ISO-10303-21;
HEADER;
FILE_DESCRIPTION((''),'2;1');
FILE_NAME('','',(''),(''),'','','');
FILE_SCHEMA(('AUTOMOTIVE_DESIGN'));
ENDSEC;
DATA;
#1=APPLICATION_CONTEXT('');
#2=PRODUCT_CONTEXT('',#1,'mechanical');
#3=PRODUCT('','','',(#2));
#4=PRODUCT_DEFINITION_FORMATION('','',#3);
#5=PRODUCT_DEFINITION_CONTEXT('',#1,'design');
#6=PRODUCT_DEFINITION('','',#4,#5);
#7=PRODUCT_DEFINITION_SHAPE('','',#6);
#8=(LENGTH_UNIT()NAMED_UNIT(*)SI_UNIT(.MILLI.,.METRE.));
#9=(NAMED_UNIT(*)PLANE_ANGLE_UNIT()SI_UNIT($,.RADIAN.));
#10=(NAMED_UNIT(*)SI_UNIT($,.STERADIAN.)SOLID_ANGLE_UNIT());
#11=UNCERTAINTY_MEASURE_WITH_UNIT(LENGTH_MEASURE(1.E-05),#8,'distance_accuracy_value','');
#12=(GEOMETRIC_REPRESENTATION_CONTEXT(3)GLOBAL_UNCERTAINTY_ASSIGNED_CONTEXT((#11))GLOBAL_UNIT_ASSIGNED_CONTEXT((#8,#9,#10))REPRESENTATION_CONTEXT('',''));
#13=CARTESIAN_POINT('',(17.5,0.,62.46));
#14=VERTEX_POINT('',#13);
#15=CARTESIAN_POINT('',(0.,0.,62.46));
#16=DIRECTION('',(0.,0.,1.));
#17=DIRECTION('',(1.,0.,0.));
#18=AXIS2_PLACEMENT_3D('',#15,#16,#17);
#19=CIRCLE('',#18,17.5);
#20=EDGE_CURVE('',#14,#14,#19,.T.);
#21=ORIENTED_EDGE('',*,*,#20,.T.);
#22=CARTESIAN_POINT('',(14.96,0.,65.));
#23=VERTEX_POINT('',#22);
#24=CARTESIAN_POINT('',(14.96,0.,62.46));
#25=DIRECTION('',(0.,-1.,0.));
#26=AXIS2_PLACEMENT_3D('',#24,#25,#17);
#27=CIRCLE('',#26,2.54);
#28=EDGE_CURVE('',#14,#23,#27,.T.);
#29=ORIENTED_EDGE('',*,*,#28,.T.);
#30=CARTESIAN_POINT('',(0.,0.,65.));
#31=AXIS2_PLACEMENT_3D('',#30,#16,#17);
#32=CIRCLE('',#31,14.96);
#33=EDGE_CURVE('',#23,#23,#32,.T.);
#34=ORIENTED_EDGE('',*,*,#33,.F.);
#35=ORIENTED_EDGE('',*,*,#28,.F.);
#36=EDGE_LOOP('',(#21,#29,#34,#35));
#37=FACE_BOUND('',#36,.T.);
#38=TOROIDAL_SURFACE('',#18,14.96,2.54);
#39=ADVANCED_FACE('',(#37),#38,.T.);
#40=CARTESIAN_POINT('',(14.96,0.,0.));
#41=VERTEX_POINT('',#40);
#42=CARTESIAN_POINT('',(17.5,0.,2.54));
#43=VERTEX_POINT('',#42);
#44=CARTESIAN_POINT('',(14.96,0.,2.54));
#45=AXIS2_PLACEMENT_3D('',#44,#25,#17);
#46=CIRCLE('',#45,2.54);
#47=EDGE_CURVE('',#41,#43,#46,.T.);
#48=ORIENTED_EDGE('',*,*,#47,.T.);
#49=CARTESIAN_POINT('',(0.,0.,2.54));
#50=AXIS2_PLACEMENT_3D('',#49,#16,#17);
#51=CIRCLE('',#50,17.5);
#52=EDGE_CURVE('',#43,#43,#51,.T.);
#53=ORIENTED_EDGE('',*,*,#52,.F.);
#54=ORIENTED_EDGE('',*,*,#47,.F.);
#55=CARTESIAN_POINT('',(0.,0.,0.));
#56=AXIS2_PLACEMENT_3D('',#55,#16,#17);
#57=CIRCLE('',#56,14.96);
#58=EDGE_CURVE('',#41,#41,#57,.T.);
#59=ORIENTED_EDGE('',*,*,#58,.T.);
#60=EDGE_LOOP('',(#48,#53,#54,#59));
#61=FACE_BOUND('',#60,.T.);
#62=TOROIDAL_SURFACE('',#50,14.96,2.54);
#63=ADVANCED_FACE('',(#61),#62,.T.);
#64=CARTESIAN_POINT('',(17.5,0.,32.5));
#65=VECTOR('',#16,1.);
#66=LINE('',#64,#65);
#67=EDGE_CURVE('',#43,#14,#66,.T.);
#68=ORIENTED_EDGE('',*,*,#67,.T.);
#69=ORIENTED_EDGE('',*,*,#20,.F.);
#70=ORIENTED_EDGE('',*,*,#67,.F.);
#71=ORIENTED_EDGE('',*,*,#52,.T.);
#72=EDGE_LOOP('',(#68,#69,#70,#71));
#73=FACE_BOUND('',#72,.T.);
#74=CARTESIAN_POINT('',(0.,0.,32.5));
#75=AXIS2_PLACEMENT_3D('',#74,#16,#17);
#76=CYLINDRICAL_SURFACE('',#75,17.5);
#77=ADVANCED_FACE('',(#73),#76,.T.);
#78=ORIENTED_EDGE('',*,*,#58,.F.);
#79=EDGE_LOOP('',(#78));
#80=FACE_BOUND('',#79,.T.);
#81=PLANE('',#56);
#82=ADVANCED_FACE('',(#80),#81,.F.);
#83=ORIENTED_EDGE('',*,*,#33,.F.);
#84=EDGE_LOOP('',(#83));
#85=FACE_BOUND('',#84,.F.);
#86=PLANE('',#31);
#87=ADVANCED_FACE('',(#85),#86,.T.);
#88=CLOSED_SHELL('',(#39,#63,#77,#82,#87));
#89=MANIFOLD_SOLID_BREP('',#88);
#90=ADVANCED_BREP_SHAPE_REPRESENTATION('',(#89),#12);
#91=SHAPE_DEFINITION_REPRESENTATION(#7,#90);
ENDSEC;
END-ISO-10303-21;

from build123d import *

# Parameters (mm, degrees)
F0_W = 17.5
F0_H = 65
F2_R = 2.54


with BuildPart() as f1:
    # F0 (on Front) → F1 (revolve)
    with BuildSketch(Plane.XZ):
        with Locations((8.75, 32.5)):
            Rectangle(F0_W, F0_H)
    revolve(axis=Axis((0, 0, 32.5), (0, 0, 1)))

    # F2
    f2_edges = [f1.edges().sort_by_distance(p)[0] for p in [
        (-17.5, 0, 65),
        (-17.5, 0, 0),
    ]]
    fillet(f2_edges, radius=F2_R)


solid = f1.part
